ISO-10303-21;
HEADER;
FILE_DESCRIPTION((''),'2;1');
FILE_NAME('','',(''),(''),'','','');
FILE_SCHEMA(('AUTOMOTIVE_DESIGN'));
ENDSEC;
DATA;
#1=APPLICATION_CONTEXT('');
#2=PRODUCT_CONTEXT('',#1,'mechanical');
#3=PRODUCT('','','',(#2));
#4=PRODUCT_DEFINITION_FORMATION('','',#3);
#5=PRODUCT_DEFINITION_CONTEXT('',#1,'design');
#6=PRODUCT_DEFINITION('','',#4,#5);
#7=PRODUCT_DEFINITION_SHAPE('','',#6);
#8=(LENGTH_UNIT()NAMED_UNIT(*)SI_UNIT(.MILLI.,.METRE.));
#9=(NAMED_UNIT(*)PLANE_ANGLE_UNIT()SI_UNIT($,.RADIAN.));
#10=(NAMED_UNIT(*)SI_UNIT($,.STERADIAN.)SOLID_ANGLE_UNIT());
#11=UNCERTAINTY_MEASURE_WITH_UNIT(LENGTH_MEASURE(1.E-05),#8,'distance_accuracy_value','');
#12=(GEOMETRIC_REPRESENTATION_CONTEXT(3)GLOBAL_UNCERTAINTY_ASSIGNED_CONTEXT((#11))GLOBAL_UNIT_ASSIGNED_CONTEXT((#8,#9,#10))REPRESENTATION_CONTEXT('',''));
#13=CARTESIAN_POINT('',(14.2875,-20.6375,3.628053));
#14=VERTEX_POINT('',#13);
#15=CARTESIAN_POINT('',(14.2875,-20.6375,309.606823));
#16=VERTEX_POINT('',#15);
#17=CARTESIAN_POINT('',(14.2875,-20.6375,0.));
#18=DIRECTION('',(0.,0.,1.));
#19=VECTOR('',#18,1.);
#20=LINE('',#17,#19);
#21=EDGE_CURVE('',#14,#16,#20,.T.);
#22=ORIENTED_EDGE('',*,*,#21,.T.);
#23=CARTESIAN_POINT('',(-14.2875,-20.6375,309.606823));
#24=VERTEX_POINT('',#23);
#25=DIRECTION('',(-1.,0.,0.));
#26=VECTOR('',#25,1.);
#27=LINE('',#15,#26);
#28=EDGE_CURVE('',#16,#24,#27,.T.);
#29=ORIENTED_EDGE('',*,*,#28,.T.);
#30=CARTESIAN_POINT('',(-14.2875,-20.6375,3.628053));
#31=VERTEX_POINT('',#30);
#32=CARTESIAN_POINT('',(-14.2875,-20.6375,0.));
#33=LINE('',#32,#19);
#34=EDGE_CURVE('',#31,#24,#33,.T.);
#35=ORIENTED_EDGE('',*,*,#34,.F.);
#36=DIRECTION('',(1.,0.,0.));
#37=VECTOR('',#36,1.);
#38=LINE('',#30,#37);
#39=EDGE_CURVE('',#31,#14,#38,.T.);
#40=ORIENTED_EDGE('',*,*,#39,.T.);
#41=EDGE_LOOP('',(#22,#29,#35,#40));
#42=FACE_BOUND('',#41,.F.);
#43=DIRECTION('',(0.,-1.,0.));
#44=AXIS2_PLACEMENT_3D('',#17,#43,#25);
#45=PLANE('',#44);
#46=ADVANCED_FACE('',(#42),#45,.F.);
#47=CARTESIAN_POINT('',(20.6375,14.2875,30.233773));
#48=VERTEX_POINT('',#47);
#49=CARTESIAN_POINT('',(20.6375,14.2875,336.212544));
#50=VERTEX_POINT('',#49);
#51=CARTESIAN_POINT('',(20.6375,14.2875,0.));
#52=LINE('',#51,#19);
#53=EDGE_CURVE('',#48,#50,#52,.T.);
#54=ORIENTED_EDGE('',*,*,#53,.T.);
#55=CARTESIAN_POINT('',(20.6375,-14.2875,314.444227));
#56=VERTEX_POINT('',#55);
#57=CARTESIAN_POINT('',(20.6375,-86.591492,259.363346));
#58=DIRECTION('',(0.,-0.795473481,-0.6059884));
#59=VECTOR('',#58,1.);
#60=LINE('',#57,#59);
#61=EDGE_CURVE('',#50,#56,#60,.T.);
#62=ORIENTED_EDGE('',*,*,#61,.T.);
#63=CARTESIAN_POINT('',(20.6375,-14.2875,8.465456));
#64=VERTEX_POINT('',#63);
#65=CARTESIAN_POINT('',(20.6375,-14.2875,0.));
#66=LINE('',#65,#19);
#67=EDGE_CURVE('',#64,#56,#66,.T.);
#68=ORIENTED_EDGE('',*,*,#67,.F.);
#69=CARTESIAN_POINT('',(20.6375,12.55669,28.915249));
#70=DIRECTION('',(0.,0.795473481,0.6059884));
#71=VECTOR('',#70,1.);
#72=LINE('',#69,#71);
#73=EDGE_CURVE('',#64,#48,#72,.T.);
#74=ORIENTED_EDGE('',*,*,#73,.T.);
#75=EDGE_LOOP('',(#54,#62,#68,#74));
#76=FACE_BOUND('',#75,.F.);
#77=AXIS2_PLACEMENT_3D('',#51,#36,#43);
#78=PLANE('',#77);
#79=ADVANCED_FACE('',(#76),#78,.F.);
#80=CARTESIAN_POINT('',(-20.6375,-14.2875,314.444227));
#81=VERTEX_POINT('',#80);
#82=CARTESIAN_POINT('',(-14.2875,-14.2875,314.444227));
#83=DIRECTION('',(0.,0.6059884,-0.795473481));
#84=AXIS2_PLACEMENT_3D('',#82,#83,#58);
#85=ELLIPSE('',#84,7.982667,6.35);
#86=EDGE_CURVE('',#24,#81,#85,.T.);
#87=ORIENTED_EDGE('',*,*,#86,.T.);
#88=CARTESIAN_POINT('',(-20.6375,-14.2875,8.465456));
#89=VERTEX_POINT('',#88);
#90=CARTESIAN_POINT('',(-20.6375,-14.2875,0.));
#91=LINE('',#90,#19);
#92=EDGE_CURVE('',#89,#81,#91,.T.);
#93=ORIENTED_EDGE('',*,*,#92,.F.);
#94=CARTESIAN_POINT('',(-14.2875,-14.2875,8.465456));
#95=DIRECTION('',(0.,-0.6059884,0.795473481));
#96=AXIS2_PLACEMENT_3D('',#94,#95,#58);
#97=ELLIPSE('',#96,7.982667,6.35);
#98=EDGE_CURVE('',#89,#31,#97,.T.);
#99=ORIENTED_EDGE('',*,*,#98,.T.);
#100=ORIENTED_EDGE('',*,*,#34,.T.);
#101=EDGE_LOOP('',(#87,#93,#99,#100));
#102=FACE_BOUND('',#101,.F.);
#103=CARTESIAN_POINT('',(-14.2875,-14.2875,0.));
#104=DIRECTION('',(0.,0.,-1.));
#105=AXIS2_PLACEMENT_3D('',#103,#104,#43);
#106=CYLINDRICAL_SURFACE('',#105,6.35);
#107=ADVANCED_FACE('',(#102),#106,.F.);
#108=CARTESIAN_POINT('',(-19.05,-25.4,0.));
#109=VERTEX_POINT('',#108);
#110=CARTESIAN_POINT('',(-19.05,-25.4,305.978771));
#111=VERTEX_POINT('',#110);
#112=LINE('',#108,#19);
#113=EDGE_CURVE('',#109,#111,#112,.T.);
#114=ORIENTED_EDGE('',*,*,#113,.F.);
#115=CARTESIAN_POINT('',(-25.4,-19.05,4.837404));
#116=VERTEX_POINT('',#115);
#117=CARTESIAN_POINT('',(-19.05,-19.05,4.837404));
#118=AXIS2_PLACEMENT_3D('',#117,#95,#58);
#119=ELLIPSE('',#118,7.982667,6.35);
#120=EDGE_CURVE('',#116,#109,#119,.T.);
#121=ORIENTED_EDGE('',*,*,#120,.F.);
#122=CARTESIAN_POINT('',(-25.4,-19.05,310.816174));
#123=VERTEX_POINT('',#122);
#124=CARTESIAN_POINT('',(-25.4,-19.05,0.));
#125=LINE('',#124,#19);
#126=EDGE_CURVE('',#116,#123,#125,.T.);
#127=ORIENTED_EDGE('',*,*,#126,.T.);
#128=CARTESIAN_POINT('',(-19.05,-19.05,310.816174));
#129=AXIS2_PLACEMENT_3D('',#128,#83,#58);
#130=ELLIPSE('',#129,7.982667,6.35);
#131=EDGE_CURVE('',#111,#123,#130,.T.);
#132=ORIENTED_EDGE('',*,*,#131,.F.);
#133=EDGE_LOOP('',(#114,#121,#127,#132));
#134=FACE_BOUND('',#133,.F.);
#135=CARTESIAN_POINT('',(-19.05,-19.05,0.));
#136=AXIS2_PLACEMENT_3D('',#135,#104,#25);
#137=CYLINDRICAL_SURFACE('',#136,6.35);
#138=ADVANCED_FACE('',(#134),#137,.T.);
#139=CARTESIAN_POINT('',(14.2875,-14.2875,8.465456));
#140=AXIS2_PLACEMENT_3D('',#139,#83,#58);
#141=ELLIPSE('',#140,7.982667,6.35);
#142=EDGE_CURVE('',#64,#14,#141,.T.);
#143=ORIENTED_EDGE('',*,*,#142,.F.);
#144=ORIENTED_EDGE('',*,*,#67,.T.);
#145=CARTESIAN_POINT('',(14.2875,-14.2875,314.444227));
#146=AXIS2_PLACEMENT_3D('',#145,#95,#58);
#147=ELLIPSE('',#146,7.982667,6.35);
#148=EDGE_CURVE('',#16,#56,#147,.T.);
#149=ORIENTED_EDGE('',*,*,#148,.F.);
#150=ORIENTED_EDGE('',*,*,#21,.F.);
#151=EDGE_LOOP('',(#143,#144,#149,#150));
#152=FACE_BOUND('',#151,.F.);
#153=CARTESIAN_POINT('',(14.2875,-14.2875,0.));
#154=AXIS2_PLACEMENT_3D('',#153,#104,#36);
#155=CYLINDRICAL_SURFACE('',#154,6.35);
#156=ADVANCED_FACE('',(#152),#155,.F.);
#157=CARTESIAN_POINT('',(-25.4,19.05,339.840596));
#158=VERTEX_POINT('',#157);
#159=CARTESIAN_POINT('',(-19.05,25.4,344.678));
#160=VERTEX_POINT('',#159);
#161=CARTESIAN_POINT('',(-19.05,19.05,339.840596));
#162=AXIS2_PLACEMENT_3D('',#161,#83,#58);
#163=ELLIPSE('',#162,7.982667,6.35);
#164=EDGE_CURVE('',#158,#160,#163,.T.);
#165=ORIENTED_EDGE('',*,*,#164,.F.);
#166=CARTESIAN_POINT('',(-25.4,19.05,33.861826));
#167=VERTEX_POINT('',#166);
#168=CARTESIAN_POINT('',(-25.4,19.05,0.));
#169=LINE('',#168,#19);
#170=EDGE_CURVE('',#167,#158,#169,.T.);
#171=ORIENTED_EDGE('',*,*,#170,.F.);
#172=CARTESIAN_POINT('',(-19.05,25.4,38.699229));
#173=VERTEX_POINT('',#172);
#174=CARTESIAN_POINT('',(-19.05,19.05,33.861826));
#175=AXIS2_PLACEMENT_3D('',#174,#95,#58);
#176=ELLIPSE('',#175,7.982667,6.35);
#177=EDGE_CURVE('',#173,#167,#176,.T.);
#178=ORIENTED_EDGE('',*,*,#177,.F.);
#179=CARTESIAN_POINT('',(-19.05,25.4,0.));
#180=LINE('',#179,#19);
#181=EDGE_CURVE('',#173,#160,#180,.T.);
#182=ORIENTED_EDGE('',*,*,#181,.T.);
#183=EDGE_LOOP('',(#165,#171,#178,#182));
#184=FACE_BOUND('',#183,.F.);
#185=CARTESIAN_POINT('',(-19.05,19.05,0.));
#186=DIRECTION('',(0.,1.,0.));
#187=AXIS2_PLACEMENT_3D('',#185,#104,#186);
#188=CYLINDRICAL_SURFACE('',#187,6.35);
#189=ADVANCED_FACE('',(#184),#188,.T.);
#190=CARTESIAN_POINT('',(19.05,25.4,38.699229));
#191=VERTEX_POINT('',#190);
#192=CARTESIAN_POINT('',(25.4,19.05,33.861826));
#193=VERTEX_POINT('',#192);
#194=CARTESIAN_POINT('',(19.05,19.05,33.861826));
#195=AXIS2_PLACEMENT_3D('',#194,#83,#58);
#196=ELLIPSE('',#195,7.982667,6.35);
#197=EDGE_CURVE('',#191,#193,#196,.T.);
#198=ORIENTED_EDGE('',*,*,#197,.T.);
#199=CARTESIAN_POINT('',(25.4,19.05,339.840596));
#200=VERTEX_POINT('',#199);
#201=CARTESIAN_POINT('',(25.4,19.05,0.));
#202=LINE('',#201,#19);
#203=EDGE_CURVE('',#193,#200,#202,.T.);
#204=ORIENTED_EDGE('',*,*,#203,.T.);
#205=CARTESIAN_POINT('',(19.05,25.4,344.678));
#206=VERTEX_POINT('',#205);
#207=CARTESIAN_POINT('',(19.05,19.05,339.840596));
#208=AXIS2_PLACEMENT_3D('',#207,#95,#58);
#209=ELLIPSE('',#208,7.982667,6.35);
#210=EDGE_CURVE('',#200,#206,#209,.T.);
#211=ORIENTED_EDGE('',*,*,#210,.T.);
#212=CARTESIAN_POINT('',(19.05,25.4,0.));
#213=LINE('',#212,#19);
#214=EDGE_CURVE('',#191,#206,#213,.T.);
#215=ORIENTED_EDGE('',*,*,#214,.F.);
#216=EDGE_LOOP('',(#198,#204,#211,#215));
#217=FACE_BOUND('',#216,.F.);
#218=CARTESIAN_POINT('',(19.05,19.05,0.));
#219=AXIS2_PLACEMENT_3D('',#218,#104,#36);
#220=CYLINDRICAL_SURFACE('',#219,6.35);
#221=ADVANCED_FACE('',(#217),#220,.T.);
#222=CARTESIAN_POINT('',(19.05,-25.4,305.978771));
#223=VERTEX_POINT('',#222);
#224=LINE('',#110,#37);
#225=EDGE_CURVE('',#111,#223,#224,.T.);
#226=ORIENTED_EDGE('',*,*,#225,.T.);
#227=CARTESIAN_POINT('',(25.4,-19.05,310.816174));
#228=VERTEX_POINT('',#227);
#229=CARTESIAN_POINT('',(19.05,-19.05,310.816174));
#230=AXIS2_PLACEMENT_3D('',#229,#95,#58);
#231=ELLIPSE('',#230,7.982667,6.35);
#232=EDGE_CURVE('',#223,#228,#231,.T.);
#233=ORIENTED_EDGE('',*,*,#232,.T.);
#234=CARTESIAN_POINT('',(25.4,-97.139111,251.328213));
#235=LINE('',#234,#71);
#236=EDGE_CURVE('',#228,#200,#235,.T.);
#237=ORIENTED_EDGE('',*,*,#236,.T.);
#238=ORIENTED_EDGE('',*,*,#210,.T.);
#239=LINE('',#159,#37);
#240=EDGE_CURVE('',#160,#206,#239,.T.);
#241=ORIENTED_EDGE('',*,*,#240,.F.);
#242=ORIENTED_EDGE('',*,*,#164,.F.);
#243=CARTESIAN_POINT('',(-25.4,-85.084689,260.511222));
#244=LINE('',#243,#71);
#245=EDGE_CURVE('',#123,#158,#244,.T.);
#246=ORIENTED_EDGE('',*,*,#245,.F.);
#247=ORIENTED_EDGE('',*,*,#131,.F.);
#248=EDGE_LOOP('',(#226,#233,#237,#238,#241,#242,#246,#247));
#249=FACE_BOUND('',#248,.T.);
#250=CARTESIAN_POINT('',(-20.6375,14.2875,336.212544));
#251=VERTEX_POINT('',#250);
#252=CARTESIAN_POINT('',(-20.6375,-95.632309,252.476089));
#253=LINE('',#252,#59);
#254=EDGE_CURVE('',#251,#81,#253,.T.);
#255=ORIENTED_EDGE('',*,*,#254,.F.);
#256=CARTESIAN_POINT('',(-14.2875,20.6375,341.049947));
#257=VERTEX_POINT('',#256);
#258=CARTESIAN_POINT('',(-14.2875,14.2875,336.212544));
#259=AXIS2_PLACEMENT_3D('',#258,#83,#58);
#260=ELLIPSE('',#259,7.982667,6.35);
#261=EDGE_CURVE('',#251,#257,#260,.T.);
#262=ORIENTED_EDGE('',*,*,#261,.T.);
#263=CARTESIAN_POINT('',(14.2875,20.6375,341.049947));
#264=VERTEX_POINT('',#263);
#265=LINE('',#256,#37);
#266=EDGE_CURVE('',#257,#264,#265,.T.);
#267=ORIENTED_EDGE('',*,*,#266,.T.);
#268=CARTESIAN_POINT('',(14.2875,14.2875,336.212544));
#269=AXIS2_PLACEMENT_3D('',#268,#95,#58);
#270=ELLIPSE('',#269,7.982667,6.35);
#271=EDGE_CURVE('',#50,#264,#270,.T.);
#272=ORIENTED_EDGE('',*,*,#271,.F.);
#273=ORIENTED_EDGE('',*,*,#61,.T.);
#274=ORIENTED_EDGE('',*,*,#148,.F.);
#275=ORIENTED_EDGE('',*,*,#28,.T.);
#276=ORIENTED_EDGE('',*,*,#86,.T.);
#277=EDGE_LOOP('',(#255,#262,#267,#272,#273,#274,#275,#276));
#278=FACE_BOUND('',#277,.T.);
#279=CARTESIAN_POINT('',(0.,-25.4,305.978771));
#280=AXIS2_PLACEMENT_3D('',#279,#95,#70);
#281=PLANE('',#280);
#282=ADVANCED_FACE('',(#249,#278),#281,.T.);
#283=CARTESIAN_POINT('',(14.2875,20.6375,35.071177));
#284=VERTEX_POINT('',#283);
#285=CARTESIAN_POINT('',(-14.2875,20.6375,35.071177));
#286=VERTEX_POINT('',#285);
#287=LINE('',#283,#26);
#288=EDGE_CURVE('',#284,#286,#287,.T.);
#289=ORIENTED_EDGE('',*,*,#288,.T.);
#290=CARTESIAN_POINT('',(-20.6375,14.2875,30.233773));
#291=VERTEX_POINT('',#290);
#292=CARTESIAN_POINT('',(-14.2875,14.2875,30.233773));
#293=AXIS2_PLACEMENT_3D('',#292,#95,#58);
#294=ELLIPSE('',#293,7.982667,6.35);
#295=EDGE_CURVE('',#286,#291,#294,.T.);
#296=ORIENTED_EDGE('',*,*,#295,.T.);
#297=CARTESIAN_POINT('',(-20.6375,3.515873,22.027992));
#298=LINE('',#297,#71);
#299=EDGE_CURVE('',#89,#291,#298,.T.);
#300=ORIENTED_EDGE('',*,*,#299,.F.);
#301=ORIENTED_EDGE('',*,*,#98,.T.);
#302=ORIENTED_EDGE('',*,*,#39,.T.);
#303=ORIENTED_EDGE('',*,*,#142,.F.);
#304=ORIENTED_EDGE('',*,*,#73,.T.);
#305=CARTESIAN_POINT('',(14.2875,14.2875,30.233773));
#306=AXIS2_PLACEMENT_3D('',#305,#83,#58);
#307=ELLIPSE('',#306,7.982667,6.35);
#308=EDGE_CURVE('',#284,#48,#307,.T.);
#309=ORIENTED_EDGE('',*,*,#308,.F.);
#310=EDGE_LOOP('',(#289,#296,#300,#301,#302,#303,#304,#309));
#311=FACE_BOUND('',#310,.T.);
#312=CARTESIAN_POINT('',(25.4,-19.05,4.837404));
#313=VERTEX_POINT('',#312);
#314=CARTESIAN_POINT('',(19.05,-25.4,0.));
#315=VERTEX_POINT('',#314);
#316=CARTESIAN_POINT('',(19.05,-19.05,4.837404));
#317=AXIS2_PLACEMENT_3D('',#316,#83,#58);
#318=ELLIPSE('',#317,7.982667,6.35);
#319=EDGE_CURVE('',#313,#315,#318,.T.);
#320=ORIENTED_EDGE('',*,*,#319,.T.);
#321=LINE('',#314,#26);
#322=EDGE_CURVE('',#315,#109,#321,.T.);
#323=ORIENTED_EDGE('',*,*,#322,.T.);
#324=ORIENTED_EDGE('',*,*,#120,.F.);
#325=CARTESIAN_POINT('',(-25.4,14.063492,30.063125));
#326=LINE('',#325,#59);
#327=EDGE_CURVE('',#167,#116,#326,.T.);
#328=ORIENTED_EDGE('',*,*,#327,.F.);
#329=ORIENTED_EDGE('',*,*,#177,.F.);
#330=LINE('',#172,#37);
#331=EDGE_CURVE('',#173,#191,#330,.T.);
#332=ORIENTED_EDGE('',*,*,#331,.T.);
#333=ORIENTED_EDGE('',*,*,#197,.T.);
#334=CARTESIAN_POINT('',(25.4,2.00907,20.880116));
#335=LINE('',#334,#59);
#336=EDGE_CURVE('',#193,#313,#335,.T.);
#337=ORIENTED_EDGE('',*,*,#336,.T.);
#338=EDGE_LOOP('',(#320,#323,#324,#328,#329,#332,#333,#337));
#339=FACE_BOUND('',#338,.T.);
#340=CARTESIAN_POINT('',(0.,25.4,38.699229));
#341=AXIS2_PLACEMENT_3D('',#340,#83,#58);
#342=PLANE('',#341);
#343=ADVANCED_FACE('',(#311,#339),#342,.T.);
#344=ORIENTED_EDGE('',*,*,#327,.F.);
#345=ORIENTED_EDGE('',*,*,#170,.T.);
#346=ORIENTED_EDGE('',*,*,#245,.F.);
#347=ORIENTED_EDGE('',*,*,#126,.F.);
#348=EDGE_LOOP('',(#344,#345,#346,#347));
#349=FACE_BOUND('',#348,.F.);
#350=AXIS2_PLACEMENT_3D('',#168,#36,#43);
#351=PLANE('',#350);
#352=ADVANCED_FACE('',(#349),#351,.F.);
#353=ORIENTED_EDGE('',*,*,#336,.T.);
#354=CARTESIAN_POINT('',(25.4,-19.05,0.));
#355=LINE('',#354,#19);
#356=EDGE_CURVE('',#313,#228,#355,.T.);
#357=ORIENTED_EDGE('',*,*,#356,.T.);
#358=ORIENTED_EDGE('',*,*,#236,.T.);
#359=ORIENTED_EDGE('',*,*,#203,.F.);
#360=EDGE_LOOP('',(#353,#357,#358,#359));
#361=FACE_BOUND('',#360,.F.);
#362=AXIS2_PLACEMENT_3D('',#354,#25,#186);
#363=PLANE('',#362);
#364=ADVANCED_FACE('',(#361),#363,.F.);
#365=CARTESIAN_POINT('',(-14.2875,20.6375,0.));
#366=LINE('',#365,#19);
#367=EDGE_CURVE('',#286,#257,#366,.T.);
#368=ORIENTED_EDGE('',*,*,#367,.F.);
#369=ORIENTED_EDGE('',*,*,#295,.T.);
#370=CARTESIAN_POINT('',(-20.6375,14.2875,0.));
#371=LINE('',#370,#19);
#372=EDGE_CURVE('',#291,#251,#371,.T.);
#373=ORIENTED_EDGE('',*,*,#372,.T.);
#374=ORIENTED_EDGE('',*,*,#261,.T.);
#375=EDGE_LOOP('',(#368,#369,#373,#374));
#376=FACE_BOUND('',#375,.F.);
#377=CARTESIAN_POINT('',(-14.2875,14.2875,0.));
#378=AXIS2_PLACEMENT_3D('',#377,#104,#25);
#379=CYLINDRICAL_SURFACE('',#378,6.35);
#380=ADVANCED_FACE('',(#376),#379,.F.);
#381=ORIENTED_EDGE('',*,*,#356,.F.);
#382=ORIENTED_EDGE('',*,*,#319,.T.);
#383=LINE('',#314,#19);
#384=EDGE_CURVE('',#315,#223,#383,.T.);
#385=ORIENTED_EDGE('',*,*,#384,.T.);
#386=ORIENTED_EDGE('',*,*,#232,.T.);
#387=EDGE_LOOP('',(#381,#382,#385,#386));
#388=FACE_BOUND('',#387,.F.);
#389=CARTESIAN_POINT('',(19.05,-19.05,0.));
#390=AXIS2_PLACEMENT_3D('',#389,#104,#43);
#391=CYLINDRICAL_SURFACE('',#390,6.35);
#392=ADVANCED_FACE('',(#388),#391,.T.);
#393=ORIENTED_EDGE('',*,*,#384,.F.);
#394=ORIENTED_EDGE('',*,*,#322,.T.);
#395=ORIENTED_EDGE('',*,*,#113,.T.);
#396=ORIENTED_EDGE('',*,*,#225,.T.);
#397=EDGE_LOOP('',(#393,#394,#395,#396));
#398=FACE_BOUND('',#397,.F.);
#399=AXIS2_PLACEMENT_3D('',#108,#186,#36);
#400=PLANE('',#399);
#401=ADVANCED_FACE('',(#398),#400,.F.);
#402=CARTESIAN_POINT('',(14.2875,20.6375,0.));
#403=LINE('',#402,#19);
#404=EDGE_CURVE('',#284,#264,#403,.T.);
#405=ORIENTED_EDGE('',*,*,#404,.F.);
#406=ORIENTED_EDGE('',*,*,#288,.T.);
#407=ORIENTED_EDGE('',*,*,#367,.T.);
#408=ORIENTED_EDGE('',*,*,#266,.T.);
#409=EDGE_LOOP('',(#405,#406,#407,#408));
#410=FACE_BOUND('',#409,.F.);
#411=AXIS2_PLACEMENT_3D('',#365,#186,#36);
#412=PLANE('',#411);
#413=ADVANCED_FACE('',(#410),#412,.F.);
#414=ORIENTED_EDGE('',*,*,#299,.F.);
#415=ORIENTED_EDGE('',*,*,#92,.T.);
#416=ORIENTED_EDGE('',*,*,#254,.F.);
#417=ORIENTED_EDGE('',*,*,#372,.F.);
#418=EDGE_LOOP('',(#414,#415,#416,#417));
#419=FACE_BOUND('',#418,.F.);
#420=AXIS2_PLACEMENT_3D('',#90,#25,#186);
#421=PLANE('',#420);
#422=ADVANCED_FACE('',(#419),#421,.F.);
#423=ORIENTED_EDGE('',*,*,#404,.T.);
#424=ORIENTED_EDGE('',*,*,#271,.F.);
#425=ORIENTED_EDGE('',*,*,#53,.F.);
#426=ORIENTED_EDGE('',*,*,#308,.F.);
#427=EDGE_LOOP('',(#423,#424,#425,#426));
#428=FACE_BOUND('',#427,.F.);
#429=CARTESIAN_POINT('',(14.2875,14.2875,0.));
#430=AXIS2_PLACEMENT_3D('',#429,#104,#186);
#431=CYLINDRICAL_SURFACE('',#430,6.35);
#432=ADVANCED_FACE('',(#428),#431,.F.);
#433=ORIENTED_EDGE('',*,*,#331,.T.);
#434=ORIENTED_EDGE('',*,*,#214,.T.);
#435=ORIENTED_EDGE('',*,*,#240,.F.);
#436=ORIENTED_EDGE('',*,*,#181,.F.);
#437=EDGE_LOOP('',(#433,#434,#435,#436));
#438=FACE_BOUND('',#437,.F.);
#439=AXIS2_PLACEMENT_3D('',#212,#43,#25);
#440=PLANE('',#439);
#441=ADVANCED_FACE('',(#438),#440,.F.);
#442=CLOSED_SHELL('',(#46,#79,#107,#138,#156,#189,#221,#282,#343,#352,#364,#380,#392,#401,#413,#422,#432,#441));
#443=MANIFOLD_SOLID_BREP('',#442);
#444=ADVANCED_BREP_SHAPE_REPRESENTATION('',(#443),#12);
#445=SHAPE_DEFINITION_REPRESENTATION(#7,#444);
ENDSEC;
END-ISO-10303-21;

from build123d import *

# Parameters (mm, degrees)
F1_DEPTH      = 344.678
F3_DEPTH      = 25.401
F3_DEPTH_BACK = 25.401


with BuildPart() as f1:
    # F0 (on Top) → F1 (new body)
    with BuildSketch(Plane.XY):
        with BuildLine():
            ThreePointArc((25.4, 19.05), (23.5401280605, 23.5401280605), (19.05, 25.4))
            Line((19.05, 25.4), (-19.05, 25.4))
            ThreePointArc((-19.05, 25.4), (-23.5401280605, 23.5401280605), (-25.4, 19.05))
            Line((-25.4, 19.05), (-25.4, -19.05))
            ThreePointArc((-25.4, -19.05), (-23.5401280605, -23.5401280605), (-19.05, -25.4))
            Line((-19.05, -25.4), (19.05, -25.4))
            ThreePointArc((19.05, -25.4), (23.5401280605, -23.5401280605), (25.4, -19.05))
            Line((25.4, -19.05), (25.4, 19.05))
        make_face()
        with BuildLine():
            Line((-14.2875, 20.6375), (14.2875, 20.6375))
            ThreePointArc((14.2875, 20.6375), (18.7776280605, 18.7776280605), (20.6375, 14.2875))
            Line((20.6375, 14.2875), (20.6375, -14.2875))
            ThreePointArc((20.6375, -14.2875), (18.7776280605, -18.7776280605), (14.2875, -20.6375))
            Line((14.2875, -20.6375), (-14.2875, -20.6375))
            ThreePointArc((-14.2875, -20.6375), (-18.7776280605, -18.7776280605), (-20.6375, -14.2875))
            Line((-20.6375, -14.2875), (-20.6375, 14.2875))
            ThreePointArc((-20.6375, 14.2875), (-18.7776280605, 18.7776280605), (-14.2875, 20.6375))
        make_face(mode=Mode.SUBTRACT)
    extrude(amount=F1_DEPTH)

    # F2 (on Right) → F3 (cut, two sides)
    with BuildSketch(Plane.YZ) as f3_sk:
        Polygon((-25.4, 0), (25.4, 0), (25.4, 38.6992294205), align=None)
        Polygon((-25.4, 305.9787705795), (25.4, 344.678), (-25.4, 344.678), align=None)
    extrude(amount=-F3_DEPTH, mode=Mode.SUBTRACT)
    extrude(f3_sk.sketch, amount=F3_DEPTH_BACK, mode=Mode.SUBTRACT)


solid = f1.part
